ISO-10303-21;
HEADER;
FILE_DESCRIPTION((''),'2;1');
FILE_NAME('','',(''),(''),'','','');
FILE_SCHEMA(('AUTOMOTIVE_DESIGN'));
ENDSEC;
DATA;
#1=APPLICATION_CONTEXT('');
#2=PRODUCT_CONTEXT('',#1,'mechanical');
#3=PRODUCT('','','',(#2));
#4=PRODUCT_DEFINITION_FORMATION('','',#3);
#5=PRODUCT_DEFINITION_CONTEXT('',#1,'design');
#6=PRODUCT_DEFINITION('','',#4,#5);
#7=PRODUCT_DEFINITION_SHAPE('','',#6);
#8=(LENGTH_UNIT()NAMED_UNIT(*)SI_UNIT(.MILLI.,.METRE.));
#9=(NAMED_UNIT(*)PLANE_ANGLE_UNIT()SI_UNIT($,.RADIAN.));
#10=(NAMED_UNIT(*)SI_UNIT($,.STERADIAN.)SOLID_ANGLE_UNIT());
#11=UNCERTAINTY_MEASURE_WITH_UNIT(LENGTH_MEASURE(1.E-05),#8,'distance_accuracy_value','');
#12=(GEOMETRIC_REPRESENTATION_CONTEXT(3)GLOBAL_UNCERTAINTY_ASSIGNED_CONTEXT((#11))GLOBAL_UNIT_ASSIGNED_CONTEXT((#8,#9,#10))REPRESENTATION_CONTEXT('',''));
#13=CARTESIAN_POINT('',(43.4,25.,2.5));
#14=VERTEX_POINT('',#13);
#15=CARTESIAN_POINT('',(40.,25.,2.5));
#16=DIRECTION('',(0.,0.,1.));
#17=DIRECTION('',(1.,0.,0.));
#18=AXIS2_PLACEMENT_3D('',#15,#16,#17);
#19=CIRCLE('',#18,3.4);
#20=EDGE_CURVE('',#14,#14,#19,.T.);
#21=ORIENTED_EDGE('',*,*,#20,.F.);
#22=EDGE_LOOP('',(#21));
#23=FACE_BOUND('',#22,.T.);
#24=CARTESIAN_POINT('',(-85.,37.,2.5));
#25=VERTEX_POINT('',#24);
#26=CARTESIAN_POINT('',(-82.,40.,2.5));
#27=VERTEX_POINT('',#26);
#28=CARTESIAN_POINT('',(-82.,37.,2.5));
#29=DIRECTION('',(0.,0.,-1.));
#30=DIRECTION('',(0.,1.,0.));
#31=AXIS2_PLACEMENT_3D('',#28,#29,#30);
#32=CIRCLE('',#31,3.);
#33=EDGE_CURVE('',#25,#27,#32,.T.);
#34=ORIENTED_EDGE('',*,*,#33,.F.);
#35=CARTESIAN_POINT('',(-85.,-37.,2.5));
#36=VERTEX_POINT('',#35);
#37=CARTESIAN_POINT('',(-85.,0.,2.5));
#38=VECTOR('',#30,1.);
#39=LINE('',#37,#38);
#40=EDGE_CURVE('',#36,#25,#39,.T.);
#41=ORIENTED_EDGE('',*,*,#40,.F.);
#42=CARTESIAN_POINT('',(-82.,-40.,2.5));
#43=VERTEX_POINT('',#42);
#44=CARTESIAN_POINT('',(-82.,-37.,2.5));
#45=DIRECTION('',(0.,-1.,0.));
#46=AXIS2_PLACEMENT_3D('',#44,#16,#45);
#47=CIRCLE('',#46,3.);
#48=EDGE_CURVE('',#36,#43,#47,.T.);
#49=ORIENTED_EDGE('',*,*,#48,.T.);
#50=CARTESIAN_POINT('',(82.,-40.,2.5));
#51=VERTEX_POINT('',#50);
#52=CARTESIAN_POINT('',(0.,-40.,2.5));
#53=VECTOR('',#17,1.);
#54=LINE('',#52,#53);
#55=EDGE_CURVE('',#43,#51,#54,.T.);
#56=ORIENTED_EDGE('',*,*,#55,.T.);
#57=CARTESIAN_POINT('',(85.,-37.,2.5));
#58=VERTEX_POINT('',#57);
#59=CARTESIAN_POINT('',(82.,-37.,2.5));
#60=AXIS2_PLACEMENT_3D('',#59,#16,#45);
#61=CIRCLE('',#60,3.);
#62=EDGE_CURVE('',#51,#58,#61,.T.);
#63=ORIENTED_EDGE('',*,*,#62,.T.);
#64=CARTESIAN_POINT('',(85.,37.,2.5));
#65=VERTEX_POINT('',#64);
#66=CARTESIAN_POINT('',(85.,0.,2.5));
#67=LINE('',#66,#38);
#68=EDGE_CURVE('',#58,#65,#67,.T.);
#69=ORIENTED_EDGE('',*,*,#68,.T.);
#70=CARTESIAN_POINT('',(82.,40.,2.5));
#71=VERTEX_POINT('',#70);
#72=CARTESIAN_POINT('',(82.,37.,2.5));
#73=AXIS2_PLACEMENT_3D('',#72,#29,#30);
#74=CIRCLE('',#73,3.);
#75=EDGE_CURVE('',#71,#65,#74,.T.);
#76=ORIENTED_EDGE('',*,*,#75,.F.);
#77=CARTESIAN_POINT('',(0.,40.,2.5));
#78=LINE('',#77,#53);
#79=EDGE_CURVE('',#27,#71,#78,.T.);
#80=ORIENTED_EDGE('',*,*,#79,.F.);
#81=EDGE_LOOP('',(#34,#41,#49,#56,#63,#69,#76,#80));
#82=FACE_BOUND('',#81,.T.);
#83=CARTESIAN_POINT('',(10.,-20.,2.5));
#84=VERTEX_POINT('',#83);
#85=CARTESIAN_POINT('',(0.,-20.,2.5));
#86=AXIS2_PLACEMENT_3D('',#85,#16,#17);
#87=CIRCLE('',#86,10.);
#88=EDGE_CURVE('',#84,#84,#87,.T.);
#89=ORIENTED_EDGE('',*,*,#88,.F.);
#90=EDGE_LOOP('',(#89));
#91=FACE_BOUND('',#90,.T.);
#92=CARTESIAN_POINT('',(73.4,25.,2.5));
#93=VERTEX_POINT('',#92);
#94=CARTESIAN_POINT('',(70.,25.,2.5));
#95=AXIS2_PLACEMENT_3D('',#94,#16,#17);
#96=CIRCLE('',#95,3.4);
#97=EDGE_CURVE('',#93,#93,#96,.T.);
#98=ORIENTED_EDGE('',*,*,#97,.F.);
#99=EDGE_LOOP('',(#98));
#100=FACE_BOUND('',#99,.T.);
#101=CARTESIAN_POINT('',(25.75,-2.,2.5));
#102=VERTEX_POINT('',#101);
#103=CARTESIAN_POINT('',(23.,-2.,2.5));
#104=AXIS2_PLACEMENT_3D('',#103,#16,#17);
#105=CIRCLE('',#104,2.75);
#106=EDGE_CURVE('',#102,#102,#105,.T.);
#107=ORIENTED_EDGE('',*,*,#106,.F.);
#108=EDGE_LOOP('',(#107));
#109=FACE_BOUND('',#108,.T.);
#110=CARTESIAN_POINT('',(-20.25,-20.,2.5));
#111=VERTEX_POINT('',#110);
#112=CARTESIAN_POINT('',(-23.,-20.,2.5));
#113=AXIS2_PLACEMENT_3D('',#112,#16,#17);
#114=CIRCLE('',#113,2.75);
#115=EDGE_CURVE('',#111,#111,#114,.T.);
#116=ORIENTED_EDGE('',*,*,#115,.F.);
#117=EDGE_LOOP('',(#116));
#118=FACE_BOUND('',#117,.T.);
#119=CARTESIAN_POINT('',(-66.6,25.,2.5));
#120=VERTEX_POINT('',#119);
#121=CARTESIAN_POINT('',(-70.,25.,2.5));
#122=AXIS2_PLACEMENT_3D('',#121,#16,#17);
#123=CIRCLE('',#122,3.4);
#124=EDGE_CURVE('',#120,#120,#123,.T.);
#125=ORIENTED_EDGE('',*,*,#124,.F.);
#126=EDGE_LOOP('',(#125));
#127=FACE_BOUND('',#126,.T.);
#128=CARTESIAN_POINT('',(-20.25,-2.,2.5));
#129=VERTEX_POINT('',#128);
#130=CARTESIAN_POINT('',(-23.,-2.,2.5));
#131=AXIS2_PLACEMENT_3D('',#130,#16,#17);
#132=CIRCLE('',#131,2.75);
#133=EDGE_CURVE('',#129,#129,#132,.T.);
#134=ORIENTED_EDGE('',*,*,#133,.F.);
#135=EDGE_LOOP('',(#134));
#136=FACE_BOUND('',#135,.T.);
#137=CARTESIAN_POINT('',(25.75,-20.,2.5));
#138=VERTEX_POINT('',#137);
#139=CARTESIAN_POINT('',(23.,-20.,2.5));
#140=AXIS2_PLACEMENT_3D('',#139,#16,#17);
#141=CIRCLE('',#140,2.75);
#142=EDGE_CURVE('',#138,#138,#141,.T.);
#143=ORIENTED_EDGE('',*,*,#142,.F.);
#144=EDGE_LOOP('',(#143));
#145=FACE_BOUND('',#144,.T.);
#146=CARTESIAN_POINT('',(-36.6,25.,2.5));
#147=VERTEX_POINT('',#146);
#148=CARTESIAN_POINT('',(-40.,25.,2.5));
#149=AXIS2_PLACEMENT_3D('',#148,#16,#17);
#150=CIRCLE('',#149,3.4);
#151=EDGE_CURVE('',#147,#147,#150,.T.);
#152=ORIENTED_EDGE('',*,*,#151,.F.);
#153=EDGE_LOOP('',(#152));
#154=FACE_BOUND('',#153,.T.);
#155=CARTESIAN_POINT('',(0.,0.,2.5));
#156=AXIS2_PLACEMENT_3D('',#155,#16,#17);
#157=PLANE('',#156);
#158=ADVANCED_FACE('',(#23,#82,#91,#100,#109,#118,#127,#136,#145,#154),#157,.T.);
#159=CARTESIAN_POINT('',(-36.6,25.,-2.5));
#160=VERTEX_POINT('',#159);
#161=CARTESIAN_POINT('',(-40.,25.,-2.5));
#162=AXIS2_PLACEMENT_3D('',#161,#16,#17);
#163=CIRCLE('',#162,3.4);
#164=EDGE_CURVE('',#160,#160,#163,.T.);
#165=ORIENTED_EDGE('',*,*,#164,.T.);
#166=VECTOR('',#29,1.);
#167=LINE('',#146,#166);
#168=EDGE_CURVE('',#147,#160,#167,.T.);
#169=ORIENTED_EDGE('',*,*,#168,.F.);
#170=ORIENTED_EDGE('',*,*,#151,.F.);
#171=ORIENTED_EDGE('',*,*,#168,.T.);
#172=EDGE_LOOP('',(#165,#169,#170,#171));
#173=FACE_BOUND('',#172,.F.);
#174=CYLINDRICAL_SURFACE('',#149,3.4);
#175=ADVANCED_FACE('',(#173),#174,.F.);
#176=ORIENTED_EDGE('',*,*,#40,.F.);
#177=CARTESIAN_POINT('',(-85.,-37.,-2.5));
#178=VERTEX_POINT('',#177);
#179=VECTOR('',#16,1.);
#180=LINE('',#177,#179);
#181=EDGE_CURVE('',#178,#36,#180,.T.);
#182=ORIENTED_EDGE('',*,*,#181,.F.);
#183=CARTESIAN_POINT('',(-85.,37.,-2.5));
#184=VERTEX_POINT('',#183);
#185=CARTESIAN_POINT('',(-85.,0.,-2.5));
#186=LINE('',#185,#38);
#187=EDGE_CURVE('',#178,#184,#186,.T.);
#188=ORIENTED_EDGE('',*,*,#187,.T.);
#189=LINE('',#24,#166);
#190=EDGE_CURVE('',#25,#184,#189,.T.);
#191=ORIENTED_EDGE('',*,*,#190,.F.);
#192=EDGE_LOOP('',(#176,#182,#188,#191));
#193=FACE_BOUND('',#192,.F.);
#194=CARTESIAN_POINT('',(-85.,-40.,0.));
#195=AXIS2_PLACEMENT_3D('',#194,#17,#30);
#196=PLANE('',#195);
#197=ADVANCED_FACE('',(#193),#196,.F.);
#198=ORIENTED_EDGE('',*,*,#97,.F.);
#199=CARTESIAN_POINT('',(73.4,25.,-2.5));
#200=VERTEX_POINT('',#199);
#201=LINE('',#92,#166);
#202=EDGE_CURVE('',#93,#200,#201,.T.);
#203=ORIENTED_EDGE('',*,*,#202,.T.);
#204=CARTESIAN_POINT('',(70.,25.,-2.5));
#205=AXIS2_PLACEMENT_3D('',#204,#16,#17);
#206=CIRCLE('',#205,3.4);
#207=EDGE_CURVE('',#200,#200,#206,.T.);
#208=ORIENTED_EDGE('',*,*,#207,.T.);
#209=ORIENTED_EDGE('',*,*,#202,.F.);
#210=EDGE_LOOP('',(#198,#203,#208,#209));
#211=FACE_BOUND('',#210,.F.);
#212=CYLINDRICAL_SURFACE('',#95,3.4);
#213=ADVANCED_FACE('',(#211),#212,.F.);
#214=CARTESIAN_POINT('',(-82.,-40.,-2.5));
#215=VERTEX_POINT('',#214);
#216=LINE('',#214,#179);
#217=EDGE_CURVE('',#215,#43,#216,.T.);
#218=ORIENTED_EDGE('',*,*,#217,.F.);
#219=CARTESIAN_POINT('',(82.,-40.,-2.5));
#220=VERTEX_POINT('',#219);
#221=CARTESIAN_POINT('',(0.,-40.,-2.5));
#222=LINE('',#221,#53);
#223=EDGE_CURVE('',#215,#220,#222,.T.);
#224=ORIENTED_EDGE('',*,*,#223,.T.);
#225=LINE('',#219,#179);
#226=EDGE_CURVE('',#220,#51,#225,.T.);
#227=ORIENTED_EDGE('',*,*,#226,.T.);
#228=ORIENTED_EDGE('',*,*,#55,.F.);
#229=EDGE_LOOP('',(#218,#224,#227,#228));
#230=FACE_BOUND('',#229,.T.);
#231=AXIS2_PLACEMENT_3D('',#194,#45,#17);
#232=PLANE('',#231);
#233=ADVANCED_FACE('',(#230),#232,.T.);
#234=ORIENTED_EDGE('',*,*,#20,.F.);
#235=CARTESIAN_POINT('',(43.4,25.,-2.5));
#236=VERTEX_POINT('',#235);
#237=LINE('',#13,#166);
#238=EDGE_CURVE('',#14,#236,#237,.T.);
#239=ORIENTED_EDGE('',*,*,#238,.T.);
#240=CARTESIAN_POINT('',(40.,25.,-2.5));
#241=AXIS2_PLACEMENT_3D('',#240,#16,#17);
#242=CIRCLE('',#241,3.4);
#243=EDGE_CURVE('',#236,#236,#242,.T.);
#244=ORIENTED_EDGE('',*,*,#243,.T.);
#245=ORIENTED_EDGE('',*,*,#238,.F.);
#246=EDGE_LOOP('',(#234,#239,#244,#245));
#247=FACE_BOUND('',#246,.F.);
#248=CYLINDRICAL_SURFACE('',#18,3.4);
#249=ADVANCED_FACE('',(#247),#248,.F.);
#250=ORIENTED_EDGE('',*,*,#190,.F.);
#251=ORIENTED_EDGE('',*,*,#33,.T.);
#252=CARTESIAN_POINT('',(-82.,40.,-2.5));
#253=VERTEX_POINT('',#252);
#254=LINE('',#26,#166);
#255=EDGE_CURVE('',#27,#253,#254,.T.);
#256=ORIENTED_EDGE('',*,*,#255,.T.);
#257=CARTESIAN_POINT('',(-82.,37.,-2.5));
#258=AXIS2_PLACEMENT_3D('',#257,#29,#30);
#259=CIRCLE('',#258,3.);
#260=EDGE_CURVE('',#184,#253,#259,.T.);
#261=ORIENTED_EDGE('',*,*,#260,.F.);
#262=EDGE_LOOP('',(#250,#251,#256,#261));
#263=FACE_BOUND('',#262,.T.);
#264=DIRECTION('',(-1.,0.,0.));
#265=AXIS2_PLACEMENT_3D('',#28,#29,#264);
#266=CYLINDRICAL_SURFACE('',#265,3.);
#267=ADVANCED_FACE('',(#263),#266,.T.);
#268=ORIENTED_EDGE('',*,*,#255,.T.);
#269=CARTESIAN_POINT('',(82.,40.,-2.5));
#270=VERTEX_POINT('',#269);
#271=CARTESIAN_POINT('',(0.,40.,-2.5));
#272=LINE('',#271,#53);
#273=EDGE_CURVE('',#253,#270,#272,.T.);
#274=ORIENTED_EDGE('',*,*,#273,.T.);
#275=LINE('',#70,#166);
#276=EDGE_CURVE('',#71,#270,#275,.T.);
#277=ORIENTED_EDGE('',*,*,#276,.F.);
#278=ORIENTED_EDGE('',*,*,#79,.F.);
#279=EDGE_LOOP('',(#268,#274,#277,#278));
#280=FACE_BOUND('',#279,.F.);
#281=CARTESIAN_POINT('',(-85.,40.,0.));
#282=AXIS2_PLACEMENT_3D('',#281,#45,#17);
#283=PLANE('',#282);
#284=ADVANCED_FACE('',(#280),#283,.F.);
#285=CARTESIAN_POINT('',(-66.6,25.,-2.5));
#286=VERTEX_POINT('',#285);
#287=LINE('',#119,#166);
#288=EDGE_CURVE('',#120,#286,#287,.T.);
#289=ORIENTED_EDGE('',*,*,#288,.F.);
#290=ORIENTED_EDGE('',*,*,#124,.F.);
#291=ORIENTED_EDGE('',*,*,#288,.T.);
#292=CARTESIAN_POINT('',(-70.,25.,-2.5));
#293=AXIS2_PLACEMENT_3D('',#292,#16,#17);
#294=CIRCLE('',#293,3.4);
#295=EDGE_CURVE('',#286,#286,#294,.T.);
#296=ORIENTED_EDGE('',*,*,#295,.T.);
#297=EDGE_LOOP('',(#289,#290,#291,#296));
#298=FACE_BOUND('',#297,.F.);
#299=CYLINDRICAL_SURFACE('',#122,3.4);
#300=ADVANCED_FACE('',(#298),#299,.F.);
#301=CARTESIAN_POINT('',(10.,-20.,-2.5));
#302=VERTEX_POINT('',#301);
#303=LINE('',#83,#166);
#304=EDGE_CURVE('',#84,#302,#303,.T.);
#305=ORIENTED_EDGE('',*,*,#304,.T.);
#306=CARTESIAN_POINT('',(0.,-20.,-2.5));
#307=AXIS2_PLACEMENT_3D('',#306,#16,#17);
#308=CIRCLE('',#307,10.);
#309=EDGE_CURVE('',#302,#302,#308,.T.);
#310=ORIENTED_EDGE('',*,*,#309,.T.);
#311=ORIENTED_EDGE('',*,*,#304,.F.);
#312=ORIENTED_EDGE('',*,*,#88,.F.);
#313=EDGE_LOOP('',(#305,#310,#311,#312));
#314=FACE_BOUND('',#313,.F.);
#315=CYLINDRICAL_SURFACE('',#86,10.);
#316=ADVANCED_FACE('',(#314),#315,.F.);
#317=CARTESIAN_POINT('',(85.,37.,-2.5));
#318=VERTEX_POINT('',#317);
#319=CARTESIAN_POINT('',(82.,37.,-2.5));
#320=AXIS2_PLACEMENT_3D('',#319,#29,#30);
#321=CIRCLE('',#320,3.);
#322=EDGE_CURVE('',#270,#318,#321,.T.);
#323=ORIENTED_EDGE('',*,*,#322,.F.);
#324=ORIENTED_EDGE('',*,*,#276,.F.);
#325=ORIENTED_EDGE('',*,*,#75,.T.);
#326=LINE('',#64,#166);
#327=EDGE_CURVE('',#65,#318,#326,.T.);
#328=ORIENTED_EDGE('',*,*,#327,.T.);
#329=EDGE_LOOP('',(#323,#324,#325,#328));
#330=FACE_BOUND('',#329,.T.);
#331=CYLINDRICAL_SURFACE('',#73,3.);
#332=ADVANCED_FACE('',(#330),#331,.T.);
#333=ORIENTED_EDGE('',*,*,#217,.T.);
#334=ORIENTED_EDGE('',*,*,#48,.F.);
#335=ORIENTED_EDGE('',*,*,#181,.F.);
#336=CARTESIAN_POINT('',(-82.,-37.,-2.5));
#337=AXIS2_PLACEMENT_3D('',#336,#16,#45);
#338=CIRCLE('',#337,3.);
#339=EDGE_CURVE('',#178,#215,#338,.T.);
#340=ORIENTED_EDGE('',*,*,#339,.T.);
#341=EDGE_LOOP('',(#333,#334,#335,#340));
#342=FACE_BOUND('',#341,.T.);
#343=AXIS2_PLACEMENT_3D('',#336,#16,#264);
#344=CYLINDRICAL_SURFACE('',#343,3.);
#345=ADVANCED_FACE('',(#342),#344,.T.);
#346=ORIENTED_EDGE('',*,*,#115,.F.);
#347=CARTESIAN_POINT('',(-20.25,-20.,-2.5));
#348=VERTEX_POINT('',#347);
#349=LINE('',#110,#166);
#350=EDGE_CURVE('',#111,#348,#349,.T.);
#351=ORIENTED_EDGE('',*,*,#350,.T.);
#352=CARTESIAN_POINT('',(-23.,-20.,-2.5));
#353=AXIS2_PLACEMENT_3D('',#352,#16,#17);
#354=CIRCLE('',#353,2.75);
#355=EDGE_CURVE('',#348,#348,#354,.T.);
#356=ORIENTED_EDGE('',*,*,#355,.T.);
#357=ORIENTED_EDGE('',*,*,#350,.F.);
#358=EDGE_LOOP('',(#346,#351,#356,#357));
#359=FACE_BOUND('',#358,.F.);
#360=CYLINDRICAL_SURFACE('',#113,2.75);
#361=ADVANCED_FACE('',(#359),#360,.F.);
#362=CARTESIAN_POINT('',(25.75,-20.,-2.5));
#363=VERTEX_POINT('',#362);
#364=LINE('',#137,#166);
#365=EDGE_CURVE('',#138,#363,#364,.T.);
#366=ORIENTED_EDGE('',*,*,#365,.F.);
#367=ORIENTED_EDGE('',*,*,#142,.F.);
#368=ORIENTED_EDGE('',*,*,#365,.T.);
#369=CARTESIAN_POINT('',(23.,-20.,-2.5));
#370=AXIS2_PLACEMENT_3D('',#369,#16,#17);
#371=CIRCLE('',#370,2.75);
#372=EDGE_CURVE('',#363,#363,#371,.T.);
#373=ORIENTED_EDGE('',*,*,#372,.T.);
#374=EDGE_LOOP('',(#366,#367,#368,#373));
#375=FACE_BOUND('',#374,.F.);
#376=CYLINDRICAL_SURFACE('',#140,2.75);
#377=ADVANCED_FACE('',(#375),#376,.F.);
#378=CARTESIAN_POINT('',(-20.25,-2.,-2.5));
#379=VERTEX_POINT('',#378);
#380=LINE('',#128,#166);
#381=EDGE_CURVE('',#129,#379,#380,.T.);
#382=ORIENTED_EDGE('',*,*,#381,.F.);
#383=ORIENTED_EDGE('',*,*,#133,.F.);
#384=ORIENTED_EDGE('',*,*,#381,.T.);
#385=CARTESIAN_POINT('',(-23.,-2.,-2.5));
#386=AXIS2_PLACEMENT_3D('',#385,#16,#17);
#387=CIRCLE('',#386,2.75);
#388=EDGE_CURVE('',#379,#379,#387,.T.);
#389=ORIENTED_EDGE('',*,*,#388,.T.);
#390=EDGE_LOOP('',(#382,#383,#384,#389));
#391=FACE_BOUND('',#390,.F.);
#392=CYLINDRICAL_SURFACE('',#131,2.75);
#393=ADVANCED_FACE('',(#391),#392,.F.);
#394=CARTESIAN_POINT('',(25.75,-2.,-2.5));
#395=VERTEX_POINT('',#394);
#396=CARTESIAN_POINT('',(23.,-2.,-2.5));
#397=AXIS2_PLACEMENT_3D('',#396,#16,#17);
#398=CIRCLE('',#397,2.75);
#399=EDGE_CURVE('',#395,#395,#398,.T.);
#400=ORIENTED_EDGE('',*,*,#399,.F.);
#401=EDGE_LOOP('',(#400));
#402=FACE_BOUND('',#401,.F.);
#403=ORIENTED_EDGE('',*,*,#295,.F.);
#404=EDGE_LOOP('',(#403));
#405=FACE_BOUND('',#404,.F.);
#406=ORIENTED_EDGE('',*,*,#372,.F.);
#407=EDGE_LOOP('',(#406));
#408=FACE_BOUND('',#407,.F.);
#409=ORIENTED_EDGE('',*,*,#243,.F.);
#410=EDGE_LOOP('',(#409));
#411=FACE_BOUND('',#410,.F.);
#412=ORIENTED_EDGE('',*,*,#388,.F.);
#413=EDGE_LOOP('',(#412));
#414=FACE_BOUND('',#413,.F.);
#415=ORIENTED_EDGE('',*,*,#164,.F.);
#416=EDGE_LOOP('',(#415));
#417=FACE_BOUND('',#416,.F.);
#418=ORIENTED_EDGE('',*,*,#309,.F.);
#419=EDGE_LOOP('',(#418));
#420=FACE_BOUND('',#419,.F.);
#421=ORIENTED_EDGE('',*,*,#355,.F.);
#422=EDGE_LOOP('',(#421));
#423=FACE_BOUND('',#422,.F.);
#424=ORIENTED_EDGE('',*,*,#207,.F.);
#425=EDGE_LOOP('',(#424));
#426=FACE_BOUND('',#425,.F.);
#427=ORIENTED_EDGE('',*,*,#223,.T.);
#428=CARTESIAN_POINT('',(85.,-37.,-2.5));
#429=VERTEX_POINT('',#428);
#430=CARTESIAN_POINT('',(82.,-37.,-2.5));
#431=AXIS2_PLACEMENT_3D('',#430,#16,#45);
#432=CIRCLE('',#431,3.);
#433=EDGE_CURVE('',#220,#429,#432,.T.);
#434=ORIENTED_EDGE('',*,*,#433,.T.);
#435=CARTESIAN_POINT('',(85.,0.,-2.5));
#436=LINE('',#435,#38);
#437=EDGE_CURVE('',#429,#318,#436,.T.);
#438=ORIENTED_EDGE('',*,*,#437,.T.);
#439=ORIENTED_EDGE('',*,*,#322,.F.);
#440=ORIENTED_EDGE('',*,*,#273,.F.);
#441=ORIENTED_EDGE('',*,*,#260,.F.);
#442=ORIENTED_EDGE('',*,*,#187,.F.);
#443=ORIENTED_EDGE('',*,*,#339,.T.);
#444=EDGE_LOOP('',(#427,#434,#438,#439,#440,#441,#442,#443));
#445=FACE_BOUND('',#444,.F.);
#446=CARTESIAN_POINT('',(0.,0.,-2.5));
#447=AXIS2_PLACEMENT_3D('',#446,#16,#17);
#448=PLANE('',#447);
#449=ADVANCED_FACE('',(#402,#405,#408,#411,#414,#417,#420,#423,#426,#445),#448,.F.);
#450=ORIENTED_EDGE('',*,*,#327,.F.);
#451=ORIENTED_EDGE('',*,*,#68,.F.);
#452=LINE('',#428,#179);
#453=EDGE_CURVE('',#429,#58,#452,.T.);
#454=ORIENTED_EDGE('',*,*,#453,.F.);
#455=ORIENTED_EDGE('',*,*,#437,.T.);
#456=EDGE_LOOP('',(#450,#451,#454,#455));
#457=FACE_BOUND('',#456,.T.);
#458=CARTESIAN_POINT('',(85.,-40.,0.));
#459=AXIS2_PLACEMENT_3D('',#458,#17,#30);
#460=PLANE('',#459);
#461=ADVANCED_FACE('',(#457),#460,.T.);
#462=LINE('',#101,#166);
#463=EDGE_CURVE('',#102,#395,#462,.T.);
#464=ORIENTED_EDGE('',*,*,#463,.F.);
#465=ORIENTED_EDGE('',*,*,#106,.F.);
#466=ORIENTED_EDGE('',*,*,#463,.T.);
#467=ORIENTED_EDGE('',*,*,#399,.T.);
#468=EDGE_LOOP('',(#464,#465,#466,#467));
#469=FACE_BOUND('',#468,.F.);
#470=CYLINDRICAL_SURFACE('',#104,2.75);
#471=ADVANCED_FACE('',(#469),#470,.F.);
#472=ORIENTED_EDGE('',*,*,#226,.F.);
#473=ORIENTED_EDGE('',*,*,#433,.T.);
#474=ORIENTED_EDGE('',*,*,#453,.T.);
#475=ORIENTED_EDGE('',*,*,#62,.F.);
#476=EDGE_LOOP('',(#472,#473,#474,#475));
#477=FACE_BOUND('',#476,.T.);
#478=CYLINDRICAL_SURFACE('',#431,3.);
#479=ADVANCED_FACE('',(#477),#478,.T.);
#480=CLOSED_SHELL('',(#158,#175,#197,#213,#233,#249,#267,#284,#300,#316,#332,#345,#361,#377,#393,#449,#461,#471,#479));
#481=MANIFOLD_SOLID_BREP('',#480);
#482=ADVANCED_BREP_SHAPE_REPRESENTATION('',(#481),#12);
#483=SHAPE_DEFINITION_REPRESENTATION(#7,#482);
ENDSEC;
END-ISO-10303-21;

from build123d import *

# Parameters (mm, degrees)
F0_W     = 170
F0_H     = 80
F1_DEPTH = 2.5
F2_R     = 3.4
F2_R_2   = 10
F2_R_3   = 2.75
F3_DEPTH = 5
F4_R     = 3


with BuildPart() as f1:
    # F0 (on Top) → F1 (new body, symmetric)
    with BuildSketch(Plane.XY):
        Rectangle(F0_W, F0_H)
    extrude(amount=F1_DEPTH, both=True)

    # F2 (on face) → F3 (cut)
    with BuildSketch(Plane.XY.offset(2.5)):
        with Locations((40, 25)):
            Circle(F2_R)
        with Locations((70, 25)):
            Circle(F2_R)
        with Locations((-40, 25)):
            Circle(F2_R)
        with Locations((-70, 25)):
            Circle(F2_R)
        with Locations((0, -20)):
            Circle(F2_R_2)
        with Locations((-23, -2)):
            Circle(F2_R_3)
        with Locations((-23, -20)):
            Circle(F2_R_3)
        with Locations((23, -2)):
            Circle(F2_R_3)
        with Locations((23, -20)):
            Circle(F2_R_3)
    extrude(amount=-F3_DEPTH, mode=Mode.SUBTRACT)

    # F4
    f4_edges = [f1.edges().sort_by_distance(p)[0] for p in [
        (-85, -40, 0),
        (85, -40, 0),
        (-85, 40, 0),
        (85, 40, 0),
    ]]
    fillet(f4_edges, radius=F4_R)


solid = f1.part
